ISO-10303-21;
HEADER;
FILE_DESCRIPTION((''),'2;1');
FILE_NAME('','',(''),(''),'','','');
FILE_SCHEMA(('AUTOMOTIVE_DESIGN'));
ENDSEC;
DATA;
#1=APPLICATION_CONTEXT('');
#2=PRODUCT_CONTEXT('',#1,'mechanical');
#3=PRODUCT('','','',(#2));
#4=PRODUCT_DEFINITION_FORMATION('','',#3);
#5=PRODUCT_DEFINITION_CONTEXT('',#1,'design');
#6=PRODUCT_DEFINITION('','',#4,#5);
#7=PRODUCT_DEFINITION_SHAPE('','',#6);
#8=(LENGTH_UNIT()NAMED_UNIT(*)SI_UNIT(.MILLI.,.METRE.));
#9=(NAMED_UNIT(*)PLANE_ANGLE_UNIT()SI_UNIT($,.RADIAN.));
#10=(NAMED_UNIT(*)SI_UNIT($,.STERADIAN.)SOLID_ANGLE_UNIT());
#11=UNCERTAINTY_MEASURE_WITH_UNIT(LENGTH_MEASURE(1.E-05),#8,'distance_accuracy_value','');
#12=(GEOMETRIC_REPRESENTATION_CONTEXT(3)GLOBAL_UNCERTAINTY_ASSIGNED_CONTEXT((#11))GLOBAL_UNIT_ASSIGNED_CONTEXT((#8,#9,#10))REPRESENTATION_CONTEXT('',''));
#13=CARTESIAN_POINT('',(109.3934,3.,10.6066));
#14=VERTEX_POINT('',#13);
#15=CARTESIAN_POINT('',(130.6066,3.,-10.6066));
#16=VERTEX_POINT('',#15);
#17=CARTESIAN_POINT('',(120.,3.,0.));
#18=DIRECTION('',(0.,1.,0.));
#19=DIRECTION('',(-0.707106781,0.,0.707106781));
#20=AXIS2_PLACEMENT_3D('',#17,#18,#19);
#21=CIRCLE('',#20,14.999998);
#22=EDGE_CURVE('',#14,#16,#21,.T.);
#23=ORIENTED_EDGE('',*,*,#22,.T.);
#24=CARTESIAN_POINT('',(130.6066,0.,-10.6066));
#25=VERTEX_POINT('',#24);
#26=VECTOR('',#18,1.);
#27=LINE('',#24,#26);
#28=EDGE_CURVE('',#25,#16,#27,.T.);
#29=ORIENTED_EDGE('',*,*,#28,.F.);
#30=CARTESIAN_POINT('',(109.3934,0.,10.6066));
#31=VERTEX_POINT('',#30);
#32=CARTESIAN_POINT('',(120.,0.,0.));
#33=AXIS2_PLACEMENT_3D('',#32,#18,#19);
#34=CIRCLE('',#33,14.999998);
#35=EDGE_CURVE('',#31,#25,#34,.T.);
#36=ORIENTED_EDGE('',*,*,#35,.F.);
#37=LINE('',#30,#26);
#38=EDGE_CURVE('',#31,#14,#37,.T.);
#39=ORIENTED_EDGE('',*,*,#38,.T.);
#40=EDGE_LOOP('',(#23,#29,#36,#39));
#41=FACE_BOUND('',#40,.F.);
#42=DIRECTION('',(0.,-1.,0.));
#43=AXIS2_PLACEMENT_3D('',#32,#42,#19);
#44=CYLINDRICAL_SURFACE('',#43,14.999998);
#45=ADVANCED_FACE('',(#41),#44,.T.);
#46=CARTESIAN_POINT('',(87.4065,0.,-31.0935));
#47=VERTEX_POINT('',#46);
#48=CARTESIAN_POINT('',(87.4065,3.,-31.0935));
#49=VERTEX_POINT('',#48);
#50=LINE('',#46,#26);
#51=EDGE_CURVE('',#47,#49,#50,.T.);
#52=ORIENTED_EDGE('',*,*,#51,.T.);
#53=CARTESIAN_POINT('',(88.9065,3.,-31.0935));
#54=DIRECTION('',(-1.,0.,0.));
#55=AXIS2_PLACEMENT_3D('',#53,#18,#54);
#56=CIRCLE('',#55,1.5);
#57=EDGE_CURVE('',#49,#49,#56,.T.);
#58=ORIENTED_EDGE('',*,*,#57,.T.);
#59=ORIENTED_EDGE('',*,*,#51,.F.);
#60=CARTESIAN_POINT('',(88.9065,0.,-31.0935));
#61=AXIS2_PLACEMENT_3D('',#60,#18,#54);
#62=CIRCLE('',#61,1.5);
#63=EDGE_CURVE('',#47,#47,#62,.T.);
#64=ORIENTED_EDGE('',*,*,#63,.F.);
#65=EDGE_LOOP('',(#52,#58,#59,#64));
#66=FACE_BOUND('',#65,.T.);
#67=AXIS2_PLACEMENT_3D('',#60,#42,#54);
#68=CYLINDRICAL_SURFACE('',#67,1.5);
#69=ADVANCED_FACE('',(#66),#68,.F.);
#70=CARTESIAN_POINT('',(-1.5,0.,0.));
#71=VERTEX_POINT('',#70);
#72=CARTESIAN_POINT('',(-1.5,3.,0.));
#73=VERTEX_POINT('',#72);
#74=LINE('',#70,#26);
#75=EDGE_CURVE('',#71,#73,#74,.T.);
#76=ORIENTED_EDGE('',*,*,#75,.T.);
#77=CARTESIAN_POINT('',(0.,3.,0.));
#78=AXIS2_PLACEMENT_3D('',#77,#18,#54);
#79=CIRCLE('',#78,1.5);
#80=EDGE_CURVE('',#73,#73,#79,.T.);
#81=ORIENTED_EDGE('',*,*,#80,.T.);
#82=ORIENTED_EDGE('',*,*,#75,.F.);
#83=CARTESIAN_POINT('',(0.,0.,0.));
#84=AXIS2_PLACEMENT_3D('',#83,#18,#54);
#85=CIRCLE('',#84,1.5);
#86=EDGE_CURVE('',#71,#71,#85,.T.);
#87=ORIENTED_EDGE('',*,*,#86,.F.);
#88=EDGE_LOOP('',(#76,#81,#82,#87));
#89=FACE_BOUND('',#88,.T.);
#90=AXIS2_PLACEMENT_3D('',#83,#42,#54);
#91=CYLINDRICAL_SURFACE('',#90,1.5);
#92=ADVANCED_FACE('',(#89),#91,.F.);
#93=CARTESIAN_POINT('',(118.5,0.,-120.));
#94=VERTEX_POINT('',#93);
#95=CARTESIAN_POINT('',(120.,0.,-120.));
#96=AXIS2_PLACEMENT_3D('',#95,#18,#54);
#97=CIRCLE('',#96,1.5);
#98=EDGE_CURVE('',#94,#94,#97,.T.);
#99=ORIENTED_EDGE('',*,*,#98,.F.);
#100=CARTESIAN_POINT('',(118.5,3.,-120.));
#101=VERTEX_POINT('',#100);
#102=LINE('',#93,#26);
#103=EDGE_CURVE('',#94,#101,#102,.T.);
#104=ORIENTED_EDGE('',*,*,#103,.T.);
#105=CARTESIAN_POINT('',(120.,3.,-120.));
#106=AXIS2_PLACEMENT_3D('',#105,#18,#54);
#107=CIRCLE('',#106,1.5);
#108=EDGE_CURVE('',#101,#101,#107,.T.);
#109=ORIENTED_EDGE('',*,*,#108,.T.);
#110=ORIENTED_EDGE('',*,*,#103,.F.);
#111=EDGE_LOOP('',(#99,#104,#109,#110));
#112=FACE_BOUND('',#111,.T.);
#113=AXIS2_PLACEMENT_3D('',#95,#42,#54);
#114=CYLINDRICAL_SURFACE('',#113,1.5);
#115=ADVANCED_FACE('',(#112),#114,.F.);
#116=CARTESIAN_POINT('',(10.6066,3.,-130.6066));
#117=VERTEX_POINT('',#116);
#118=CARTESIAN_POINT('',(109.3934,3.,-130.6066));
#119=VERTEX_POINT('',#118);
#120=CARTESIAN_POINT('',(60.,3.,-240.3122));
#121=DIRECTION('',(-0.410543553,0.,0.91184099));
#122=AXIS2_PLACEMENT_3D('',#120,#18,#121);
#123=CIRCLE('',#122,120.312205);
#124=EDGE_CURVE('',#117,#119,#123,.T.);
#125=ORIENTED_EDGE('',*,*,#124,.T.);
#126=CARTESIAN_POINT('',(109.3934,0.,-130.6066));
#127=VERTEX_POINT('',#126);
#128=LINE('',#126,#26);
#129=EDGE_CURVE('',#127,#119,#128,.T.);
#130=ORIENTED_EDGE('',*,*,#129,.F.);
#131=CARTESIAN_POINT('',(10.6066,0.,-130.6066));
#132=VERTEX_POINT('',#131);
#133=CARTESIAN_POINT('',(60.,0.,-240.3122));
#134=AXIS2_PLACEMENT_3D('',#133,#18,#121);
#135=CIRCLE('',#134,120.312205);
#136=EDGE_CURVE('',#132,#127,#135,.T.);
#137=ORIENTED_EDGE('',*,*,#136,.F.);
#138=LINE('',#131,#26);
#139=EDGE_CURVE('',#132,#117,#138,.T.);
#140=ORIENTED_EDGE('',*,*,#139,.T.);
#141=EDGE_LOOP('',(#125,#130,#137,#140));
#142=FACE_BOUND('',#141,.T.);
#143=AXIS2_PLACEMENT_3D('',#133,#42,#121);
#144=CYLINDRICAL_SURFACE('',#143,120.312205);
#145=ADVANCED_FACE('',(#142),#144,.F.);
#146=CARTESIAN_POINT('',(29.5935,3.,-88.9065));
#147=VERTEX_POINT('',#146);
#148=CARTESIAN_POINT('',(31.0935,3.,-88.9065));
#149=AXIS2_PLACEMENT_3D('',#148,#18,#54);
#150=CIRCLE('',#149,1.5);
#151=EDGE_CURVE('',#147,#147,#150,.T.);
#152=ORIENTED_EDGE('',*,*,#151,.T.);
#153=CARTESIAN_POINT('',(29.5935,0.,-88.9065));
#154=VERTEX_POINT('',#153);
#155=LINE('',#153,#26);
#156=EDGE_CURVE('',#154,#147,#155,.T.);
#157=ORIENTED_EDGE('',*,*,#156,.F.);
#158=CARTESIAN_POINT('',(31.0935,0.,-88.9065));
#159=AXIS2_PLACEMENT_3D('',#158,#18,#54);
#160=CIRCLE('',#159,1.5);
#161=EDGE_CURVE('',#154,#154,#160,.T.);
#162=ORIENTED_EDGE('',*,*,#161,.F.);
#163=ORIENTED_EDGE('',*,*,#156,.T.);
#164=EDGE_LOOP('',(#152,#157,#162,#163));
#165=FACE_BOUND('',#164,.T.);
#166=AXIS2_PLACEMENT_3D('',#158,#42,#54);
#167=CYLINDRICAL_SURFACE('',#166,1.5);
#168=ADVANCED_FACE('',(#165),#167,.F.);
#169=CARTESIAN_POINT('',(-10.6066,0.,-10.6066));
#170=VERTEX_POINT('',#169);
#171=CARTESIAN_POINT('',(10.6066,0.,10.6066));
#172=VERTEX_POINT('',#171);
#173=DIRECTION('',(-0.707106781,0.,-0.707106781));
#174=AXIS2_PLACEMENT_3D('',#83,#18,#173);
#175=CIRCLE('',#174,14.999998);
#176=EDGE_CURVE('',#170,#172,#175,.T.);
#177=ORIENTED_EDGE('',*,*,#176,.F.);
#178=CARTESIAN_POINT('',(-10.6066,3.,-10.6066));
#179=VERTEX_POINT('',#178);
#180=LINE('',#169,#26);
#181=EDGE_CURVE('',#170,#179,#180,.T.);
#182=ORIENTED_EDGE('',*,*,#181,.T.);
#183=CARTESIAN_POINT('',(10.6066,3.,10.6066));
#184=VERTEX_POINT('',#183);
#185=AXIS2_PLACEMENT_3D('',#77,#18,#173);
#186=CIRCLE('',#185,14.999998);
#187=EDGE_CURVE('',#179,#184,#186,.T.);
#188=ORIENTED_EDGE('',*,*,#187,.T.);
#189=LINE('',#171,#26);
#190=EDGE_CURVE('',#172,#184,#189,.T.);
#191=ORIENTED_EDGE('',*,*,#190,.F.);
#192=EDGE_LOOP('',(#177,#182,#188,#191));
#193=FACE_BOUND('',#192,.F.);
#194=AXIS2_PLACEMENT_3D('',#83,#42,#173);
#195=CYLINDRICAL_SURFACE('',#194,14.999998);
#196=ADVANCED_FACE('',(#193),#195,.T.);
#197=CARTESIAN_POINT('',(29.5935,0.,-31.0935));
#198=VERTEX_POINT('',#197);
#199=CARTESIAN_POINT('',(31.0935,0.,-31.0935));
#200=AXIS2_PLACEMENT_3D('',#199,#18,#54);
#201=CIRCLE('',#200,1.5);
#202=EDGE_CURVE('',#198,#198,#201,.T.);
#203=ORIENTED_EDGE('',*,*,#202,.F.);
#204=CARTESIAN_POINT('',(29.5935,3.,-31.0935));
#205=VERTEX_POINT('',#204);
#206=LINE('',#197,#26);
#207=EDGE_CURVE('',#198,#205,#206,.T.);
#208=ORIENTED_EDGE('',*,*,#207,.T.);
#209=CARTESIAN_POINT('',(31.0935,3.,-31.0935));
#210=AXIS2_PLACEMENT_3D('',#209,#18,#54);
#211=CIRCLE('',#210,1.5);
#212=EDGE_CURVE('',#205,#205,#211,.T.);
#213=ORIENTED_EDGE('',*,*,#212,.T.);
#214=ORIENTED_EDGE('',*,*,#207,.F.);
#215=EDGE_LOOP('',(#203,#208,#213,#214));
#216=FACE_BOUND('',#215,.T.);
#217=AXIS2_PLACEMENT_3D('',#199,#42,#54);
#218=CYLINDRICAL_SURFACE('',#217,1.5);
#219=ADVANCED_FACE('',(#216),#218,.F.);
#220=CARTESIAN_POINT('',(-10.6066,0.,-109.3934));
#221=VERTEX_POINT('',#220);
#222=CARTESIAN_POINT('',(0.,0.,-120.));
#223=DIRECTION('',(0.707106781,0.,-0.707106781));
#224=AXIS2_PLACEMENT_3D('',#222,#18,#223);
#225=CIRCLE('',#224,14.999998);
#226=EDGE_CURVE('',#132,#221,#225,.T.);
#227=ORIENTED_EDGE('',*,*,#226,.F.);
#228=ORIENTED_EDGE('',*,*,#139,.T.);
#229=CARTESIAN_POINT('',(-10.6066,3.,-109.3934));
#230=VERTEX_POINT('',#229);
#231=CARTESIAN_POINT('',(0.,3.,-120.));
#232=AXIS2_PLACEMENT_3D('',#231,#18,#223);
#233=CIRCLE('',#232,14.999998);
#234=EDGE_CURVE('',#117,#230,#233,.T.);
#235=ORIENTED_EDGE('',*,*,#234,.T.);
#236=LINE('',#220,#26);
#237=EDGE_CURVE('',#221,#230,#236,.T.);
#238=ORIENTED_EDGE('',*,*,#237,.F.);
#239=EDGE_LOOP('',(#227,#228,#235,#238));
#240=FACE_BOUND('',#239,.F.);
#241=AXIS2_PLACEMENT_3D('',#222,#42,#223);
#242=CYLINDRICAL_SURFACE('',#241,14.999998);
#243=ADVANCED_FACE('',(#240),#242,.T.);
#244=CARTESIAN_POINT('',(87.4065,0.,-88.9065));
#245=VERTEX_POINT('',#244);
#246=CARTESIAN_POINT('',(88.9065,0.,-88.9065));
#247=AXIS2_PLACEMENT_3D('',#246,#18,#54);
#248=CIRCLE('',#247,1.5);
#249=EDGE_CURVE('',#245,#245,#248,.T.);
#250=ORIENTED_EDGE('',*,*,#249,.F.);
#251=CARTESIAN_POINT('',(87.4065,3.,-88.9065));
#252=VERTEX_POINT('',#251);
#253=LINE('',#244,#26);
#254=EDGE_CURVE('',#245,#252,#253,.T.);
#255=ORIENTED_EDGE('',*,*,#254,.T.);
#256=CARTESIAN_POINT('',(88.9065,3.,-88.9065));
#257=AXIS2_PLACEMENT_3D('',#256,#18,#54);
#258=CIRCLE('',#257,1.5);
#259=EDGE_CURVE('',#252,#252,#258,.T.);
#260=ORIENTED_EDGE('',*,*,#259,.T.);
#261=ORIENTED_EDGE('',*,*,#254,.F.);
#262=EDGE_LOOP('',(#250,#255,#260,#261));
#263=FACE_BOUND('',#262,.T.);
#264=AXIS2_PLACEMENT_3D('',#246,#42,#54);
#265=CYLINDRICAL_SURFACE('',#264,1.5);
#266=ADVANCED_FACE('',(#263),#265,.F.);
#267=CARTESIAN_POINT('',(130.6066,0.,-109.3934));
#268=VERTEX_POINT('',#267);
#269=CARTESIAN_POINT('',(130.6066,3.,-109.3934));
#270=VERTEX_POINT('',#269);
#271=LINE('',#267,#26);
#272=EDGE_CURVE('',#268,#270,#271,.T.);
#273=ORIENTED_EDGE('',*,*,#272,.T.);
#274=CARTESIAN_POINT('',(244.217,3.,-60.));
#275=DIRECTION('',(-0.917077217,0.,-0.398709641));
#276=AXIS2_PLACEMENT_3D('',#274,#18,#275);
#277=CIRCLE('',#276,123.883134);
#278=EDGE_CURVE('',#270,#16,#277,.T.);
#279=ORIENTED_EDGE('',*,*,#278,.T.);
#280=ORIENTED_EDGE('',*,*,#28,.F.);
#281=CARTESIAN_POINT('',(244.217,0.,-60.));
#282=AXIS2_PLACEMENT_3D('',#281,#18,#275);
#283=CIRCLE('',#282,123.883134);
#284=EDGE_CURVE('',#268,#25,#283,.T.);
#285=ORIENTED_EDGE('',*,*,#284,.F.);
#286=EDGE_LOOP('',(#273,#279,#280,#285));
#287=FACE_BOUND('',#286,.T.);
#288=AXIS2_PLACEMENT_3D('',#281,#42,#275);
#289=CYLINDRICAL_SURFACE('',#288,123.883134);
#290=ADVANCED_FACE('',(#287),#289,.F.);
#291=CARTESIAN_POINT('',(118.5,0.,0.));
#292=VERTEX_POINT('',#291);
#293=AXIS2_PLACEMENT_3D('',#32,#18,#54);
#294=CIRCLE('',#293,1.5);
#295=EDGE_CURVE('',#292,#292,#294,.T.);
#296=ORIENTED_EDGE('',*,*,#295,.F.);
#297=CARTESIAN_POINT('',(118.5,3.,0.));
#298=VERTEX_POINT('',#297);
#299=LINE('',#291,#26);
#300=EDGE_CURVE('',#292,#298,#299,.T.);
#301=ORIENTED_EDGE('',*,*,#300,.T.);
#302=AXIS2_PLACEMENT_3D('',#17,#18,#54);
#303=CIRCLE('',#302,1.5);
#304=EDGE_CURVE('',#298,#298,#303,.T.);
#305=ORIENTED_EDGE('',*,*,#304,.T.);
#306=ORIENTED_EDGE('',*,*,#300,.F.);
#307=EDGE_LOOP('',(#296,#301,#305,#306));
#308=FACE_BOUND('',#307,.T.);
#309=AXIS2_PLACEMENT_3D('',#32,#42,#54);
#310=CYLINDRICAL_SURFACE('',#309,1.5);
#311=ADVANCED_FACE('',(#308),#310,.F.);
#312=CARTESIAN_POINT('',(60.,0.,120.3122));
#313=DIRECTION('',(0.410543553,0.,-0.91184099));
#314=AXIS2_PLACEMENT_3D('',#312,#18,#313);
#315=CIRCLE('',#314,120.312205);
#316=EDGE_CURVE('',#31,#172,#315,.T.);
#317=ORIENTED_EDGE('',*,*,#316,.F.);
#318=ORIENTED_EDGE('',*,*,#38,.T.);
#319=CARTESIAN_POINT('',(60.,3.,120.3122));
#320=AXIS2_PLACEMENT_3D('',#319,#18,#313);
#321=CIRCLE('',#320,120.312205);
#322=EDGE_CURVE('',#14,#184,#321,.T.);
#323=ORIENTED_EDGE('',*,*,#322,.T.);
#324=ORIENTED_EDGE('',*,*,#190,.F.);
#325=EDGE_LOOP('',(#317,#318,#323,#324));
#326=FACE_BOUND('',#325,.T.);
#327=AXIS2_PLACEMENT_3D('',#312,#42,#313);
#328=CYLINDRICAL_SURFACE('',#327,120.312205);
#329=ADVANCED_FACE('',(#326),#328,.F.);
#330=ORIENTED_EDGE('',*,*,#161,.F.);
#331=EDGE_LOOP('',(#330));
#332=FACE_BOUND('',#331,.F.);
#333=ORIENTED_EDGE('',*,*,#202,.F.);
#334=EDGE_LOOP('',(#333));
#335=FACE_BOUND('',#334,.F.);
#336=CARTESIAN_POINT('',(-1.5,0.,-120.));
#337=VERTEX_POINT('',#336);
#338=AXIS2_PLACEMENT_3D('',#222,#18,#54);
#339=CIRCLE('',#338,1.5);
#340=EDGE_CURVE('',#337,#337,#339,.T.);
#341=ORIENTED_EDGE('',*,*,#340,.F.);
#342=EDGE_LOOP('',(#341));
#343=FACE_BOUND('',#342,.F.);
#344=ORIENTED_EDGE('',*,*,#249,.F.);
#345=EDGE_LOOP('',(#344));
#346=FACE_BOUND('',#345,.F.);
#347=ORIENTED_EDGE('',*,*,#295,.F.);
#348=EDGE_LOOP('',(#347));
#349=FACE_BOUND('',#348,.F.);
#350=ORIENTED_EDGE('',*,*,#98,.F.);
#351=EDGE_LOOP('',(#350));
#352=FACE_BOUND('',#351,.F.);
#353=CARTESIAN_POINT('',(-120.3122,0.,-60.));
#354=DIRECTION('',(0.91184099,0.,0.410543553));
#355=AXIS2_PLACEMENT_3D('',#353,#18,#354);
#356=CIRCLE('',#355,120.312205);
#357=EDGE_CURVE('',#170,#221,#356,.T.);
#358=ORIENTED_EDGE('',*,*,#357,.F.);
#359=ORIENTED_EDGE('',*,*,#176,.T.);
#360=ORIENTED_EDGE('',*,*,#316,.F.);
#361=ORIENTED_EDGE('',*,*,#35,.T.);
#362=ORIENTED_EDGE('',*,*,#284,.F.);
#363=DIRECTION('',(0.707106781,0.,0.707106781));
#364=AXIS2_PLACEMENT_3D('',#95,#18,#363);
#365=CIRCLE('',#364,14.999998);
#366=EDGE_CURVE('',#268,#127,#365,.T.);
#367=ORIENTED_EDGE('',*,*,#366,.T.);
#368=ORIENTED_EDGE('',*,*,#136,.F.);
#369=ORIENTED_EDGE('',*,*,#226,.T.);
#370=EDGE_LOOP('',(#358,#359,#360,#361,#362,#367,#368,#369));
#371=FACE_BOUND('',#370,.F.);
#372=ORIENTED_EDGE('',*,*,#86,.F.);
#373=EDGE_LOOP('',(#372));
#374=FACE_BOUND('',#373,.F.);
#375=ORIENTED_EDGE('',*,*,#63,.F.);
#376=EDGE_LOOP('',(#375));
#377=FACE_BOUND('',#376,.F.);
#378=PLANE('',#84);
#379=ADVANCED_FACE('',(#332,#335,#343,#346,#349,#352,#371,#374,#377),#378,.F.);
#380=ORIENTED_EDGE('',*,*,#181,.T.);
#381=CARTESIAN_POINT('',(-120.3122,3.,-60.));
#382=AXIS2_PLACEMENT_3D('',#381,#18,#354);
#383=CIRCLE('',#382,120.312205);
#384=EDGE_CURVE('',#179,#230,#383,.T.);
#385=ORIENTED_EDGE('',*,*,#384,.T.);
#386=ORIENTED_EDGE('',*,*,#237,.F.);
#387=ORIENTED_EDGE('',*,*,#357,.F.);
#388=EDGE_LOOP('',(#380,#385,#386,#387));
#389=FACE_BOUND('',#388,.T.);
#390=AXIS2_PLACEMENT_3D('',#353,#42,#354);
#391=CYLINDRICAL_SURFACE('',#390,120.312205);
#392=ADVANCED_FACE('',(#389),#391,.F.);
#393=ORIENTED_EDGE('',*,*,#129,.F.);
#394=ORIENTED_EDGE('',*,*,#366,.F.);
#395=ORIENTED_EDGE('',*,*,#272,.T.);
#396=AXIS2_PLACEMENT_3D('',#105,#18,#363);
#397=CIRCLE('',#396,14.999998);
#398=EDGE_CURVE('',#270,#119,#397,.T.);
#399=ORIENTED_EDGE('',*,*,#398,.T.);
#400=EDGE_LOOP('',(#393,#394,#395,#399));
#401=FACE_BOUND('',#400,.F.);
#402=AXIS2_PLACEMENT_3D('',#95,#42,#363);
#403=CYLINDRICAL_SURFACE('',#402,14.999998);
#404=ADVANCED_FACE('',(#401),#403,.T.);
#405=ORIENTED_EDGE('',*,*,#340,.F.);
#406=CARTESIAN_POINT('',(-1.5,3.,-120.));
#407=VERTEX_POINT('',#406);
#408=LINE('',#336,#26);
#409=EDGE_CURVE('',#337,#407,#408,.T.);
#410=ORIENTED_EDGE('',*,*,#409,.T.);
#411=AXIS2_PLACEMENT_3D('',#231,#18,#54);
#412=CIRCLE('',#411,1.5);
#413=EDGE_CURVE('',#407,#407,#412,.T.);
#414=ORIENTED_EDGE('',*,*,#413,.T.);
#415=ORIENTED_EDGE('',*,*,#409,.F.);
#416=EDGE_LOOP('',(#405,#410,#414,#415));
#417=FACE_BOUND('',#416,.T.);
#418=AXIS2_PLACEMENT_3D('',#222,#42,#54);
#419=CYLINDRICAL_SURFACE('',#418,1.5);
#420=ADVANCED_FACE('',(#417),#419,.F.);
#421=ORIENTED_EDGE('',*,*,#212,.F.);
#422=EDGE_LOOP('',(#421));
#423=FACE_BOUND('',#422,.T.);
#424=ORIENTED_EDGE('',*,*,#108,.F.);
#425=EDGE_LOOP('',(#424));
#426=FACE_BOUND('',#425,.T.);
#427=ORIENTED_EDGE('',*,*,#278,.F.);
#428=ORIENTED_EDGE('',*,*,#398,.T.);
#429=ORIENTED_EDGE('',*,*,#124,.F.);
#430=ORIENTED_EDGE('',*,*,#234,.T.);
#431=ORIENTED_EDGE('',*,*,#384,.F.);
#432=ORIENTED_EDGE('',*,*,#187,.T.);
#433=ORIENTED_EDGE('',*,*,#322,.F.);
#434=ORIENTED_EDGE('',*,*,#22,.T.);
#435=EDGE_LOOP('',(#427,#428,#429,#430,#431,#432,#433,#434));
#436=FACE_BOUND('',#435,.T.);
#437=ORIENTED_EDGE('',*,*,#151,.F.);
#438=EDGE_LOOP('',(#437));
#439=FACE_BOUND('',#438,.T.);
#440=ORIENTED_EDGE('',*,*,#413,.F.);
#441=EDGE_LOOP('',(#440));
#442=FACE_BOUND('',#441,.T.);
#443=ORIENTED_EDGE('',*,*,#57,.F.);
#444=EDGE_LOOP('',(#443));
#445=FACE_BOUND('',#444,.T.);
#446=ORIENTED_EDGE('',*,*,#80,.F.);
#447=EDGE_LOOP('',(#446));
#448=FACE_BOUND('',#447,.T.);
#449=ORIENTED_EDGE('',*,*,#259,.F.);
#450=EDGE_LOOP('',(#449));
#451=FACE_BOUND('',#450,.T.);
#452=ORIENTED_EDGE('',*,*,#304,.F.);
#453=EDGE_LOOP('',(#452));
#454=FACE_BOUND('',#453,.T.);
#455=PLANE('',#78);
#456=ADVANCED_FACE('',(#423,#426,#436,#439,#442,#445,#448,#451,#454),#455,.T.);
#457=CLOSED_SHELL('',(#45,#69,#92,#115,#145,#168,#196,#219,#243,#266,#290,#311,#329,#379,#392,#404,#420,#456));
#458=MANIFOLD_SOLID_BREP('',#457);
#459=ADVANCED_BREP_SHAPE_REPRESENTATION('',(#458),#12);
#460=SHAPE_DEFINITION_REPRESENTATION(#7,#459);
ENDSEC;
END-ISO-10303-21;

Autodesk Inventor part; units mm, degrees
ref_plane "YZ Plane" through (0, 0, 0) normal (1, 0, 0) x (0, 1, 0)
ref_plane "XZ Plane" through (0, 0, 0) normal (0, 1, 0) x (-1, 0, 0)
ref_plane "XY Plane" through (0, 0, 0) normal (0, 0, 1) x (1, 0, 0)
sketch "Sketch1" plane through (0, 0, 0) normal (0, 1, 0) x (-1, 0, 0)
  arc A0 (-10.6066, -130.6066) -> (10.6066, -109.3934) centre (0, -120) ccw
  arc A1 (10.6066, -10.6066) -> (-10.6066, 10.6066) centre (0, 0) ccw
  arc A2 (-130.6066, -109.3934) -> (-109.3934, -130.6066) centre (-120, -120) ccw
  arc A3 (-109.3934, 10.6066) -> (-130.6066, -10.6066) centre (-120, 0) ccw
  arc A4 (10.6066, -10.6066) -> (10.6066, -109.3934) centre (120.3122, -60) ccw
  arc A5 (-10.6066, -130.6066) -> (-109.3934, -130.6066) centre (-60, -240.3122) ccw
  arc A6 (-109.3934, 10.6066) -> (-10.6066, 10.6066) centre (-60, 120.3122) ccw
  arc A7 (-130.6066, -109.3934) -> (-130.6066, -10.6066) centre (-244.217, -60) ccw
  circle A8 centre (0, 0) radius 1.5
  circle A9 centre (-31.0935, -31.0935) radius 1.5
  circle A10 centre (-88.9065, -31.0935) radius 1.5
  circle A11 centre (-88.9065, -88.9065) radius 1.5
  circle A12 centre (-31.0935, -88.9065) radius 1.5
  circle A13 centre (-120, 0) radius 1.5
  circle A14 centre (-120, -120) radius 1.5
  circle A15 centre (0, -120) radius 1.5
  point P0 (-60, -60)
  dimension "d36" = 360
  dimension "d40" = 360
sketch "Sketch3" plane through (0, 0, 0) normal (0, 1, 0) x (-1, 0, 0)
  circle A0 centre (-7.1, -120) radius 1
  point P0 (0, 0)
extrude "Extrusion1" add sketch "Sketch1" along normal blind 3
properties part number "Base1"
